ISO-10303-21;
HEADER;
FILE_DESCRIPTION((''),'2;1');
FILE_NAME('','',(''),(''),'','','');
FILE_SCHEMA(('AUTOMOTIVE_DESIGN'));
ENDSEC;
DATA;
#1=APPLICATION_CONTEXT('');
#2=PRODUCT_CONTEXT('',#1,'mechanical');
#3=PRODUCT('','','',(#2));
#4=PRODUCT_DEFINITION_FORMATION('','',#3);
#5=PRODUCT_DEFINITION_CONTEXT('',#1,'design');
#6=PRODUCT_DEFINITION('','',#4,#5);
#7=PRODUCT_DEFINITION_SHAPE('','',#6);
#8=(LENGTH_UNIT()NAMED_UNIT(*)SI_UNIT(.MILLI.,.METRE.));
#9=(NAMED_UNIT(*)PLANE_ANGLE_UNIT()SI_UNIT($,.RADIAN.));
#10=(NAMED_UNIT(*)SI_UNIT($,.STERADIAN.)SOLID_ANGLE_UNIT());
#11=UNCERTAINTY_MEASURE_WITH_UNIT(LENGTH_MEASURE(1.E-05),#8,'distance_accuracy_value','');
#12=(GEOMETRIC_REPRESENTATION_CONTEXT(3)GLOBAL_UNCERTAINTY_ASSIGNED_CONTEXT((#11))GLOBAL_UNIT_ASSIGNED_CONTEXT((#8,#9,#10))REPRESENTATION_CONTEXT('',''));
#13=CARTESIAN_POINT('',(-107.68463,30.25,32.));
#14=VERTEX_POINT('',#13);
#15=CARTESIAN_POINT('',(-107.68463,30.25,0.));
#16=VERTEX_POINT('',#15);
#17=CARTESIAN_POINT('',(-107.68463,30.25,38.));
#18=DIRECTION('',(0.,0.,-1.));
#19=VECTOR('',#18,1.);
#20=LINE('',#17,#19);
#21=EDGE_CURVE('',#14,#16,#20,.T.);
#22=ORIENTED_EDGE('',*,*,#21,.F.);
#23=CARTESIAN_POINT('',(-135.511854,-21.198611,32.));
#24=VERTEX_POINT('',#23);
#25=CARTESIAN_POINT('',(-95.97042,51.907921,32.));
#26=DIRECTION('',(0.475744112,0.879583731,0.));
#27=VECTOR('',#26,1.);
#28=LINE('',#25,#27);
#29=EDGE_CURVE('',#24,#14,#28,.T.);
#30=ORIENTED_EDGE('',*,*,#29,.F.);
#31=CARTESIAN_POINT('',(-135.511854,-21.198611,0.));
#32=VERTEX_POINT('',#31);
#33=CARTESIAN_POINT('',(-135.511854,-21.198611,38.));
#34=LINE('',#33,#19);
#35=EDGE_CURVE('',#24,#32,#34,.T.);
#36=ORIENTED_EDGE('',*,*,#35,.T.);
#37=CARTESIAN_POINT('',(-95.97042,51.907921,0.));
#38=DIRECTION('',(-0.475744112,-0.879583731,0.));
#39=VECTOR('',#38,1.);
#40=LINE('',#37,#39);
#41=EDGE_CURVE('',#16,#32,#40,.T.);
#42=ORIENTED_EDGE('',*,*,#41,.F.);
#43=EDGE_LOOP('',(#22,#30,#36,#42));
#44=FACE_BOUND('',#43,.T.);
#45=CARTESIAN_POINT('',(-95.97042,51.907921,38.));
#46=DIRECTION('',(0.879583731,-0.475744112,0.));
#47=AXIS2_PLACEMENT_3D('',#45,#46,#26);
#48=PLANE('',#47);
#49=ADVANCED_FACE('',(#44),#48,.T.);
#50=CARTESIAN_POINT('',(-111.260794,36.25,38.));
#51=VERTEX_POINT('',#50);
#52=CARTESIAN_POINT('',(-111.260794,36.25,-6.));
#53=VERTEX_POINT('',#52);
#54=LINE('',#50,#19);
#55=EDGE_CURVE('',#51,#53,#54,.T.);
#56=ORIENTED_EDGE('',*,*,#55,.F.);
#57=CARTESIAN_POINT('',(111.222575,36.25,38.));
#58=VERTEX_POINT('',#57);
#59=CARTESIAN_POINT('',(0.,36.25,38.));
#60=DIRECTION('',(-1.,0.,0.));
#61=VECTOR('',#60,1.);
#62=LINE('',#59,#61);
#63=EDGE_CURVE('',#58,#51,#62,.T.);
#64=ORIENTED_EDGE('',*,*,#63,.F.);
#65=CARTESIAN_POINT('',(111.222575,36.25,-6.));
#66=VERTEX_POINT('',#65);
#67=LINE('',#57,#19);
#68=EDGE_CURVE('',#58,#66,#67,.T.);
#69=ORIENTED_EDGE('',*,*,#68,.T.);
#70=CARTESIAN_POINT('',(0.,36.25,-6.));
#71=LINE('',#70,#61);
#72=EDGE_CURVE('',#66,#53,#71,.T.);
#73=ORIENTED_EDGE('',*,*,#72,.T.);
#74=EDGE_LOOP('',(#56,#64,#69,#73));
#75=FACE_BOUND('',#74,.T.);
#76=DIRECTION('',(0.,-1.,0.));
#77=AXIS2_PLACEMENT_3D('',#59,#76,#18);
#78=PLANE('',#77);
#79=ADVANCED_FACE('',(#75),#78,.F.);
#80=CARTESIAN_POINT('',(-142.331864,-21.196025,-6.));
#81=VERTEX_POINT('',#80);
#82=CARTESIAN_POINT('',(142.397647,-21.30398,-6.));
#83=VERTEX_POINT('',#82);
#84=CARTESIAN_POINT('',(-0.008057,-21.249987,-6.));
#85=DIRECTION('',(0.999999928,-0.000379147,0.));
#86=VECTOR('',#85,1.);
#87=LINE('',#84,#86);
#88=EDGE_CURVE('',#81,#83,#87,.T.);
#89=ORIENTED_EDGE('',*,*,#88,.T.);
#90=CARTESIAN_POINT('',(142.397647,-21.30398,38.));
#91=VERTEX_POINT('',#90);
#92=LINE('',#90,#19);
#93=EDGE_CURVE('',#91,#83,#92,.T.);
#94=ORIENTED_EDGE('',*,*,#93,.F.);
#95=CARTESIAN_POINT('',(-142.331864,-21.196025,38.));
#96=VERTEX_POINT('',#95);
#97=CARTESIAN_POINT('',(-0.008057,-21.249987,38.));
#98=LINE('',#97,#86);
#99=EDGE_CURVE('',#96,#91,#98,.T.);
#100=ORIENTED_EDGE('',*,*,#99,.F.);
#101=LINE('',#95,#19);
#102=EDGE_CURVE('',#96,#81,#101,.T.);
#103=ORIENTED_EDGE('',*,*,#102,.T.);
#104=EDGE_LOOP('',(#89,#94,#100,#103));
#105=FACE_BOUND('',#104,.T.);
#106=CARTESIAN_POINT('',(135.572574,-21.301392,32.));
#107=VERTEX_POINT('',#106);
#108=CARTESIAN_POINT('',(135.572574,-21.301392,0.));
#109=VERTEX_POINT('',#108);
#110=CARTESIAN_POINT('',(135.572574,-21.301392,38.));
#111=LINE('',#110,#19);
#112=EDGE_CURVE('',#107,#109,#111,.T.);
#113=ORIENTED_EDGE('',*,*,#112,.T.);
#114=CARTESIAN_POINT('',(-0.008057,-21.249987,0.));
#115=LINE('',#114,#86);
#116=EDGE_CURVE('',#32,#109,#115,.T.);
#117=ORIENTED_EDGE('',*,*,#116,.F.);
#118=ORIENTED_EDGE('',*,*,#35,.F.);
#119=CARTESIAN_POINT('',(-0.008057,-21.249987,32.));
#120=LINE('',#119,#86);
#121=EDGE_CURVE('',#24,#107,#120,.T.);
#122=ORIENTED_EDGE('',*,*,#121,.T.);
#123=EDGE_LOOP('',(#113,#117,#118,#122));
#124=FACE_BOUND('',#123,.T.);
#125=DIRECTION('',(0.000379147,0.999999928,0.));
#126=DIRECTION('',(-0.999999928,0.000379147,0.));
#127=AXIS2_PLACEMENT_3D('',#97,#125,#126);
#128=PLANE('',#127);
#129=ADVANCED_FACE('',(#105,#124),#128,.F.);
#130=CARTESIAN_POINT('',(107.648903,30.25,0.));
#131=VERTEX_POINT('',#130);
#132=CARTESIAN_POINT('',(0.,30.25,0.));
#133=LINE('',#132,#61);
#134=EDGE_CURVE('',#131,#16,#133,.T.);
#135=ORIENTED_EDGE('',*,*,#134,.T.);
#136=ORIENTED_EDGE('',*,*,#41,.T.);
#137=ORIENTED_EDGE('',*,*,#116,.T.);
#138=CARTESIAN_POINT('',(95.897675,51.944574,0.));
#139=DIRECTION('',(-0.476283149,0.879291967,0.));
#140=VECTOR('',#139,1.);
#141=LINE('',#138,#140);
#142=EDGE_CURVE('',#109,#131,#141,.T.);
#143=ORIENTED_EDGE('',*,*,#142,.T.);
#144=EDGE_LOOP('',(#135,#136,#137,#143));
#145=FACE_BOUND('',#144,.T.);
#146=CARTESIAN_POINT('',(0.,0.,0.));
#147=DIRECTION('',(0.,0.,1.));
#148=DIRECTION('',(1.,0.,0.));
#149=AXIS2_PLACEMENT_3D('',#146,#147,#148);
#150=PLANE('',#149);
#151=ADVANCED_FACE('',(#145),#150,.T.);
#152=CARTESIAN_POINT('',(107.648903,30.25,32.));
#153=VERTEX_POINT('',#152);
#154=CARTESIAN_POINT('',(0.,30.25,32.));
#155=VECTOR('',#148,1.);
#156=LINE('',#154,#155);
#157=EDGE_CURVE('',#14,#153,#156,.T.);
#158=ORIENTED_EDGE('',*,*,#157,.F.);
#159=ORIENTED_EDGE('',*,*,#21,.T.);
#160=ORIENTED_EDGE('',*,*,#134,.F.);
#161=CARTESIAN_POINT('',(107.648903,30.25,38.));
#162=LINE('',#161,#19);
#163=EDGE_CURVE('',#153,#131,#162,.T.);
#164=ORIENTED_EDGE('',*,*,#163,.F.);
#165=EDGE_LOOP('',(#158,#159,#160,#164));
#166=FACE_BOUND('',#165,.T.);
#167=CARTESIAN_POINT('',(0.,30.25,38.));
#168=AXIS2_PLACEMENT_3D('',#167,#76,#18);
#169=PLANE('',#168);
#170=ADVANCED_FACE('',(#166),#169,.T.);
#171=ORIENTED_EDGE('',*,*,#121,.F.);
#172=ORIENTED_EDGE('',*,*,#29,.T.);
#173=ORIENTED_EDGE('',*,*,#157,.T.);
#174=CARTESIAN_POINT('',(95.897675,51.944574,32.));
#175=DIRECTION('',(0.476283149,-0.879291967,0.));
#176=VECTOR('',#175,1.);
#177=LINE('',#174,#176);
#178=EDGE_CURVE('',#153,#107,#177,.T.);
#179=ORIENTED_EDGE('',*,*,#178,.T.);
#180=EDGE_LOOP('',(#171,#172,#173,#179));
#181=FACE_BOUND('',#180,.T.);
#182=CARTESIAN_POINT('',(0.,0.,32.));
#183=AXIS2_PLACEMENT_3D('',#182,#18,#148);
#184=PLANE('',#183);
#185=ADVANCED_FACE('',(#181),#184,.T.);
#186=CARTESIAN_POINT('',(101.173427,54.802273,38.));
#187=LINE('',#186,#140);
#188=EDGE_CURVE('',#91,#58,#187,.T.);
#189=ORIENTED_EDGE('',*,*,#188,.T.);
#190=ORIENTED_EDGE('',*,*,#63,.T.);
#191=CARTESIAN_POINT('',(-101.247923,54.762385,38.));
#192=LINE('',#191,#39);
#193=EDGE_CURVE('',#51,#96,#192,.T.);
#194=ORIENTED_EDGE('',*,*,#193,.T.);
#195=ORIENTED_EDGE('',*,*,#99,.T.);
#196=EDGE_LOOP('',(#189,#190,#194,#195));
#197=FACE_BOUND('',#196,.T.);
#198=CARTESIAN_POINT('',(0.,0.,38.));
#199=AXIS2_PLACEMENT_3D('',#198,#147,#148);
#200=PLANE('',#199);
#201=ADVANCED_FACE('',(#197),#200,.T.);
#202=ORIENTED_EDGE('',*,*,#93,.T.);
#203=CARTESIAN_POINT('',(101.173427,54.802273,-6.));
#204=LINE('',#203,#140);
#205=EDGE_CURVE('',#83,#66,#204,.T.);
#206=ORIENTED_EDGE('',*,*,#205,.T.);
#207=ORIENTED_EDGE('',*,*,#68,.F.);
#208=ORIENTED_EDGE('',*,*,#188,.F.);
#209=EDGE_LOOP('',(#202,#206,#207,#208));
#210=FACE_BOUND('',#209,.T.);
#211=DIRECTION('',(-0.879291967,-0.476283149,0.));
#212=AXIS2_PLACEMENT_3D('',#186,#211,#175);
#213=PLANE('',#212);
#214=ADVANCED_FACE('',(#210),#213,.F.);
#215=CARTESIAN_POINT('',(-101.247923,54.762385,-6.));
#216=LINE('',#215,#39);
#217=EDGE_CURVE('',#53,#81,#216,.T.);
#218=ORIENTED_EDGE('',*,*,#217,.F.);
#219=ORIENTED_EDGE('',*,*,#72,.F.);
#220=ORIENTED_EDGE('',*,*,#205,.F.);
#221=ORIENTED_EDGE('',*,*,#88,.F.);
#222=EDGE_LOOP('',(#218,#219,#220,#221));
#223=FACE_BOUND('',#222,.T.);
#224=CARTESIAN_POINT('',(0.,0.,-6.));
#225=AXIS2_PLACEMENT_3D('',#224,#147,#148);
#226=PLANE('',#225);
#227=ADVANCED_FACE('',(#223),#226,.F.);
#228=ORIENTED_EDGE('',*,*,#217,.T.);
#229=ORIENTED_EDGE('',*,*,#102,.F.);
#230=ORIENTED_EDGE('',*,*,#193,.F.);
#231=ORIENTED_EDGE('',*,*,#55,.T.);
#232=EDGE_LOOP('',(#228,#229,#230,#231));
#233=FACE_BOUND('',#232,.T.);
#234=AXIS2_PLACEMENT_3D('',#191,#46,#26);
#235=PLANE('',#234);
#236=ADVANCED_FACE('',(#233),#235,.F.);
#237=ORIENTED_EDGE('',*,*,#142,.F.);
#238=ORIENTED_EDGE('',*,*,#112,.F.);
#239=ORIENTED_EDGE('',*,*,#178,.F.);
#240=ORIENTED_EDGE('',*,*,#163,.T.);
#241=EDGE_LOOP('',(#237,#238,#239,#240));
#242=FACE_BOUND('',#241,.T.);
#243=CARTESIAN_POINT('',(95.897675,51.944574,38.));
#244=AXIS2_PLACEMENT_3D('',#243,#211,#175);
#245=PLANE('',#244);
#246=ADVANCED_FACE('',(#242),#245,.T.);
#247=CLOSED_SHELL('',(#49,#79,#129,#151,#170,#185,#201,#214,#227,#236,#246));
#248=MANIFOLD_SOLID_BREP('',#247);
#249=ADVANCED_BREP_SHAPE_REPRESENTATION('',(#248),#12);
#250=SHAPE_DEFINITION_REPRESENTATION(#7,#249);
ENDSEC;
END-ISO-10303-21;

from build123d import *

# Parameters (mm, degrees)
BOSS_EXTRUDE3_DEPTH = 38
BOSS_EXTRUDE4_DEPTH = 6


with BuildPart() as part:
    # Sketch1 → Boss-Extrude3 (new body)
    with BuildSketch(Plane.XY):
        Polygon((-107.68463, 30.25), (107.648903001, 30.25), (132.321905897, -15.300159192), (135.572573725, -21.301392104), (142.39764743, -21.30397981), (111.222575033, 36.25), (-111.260793608, 36.25), (-142.331864382, -21.196025493), (-135.511854399, -21.198611279), (-132.267274575, -15.19984102), align=None)
    extrude(amount=BOSS_EXTRUDE3_DEPTH)

    # Sketch1<3> → Boss-Extrude4 (add)
    with BuildSketch(Plane.XY):
        Polygon((142.39764743, -21.30397981), (111.222575033, 36.25), (-111.260793608, 36.25), (-142.331864382, -21.196025493), align=None)
    boss_extrude4 = extrude(amount=-BOSS_EXTRUDE4_DEPTH)

    # Mirror1: Boss-Extrude4 across plane
    add(boss_extrude4.mirror(Plane(origin=(0, 0, 16), x_dir=(1, 0, 0), z_dir=(0, 0, -1))))


solid = part.part
